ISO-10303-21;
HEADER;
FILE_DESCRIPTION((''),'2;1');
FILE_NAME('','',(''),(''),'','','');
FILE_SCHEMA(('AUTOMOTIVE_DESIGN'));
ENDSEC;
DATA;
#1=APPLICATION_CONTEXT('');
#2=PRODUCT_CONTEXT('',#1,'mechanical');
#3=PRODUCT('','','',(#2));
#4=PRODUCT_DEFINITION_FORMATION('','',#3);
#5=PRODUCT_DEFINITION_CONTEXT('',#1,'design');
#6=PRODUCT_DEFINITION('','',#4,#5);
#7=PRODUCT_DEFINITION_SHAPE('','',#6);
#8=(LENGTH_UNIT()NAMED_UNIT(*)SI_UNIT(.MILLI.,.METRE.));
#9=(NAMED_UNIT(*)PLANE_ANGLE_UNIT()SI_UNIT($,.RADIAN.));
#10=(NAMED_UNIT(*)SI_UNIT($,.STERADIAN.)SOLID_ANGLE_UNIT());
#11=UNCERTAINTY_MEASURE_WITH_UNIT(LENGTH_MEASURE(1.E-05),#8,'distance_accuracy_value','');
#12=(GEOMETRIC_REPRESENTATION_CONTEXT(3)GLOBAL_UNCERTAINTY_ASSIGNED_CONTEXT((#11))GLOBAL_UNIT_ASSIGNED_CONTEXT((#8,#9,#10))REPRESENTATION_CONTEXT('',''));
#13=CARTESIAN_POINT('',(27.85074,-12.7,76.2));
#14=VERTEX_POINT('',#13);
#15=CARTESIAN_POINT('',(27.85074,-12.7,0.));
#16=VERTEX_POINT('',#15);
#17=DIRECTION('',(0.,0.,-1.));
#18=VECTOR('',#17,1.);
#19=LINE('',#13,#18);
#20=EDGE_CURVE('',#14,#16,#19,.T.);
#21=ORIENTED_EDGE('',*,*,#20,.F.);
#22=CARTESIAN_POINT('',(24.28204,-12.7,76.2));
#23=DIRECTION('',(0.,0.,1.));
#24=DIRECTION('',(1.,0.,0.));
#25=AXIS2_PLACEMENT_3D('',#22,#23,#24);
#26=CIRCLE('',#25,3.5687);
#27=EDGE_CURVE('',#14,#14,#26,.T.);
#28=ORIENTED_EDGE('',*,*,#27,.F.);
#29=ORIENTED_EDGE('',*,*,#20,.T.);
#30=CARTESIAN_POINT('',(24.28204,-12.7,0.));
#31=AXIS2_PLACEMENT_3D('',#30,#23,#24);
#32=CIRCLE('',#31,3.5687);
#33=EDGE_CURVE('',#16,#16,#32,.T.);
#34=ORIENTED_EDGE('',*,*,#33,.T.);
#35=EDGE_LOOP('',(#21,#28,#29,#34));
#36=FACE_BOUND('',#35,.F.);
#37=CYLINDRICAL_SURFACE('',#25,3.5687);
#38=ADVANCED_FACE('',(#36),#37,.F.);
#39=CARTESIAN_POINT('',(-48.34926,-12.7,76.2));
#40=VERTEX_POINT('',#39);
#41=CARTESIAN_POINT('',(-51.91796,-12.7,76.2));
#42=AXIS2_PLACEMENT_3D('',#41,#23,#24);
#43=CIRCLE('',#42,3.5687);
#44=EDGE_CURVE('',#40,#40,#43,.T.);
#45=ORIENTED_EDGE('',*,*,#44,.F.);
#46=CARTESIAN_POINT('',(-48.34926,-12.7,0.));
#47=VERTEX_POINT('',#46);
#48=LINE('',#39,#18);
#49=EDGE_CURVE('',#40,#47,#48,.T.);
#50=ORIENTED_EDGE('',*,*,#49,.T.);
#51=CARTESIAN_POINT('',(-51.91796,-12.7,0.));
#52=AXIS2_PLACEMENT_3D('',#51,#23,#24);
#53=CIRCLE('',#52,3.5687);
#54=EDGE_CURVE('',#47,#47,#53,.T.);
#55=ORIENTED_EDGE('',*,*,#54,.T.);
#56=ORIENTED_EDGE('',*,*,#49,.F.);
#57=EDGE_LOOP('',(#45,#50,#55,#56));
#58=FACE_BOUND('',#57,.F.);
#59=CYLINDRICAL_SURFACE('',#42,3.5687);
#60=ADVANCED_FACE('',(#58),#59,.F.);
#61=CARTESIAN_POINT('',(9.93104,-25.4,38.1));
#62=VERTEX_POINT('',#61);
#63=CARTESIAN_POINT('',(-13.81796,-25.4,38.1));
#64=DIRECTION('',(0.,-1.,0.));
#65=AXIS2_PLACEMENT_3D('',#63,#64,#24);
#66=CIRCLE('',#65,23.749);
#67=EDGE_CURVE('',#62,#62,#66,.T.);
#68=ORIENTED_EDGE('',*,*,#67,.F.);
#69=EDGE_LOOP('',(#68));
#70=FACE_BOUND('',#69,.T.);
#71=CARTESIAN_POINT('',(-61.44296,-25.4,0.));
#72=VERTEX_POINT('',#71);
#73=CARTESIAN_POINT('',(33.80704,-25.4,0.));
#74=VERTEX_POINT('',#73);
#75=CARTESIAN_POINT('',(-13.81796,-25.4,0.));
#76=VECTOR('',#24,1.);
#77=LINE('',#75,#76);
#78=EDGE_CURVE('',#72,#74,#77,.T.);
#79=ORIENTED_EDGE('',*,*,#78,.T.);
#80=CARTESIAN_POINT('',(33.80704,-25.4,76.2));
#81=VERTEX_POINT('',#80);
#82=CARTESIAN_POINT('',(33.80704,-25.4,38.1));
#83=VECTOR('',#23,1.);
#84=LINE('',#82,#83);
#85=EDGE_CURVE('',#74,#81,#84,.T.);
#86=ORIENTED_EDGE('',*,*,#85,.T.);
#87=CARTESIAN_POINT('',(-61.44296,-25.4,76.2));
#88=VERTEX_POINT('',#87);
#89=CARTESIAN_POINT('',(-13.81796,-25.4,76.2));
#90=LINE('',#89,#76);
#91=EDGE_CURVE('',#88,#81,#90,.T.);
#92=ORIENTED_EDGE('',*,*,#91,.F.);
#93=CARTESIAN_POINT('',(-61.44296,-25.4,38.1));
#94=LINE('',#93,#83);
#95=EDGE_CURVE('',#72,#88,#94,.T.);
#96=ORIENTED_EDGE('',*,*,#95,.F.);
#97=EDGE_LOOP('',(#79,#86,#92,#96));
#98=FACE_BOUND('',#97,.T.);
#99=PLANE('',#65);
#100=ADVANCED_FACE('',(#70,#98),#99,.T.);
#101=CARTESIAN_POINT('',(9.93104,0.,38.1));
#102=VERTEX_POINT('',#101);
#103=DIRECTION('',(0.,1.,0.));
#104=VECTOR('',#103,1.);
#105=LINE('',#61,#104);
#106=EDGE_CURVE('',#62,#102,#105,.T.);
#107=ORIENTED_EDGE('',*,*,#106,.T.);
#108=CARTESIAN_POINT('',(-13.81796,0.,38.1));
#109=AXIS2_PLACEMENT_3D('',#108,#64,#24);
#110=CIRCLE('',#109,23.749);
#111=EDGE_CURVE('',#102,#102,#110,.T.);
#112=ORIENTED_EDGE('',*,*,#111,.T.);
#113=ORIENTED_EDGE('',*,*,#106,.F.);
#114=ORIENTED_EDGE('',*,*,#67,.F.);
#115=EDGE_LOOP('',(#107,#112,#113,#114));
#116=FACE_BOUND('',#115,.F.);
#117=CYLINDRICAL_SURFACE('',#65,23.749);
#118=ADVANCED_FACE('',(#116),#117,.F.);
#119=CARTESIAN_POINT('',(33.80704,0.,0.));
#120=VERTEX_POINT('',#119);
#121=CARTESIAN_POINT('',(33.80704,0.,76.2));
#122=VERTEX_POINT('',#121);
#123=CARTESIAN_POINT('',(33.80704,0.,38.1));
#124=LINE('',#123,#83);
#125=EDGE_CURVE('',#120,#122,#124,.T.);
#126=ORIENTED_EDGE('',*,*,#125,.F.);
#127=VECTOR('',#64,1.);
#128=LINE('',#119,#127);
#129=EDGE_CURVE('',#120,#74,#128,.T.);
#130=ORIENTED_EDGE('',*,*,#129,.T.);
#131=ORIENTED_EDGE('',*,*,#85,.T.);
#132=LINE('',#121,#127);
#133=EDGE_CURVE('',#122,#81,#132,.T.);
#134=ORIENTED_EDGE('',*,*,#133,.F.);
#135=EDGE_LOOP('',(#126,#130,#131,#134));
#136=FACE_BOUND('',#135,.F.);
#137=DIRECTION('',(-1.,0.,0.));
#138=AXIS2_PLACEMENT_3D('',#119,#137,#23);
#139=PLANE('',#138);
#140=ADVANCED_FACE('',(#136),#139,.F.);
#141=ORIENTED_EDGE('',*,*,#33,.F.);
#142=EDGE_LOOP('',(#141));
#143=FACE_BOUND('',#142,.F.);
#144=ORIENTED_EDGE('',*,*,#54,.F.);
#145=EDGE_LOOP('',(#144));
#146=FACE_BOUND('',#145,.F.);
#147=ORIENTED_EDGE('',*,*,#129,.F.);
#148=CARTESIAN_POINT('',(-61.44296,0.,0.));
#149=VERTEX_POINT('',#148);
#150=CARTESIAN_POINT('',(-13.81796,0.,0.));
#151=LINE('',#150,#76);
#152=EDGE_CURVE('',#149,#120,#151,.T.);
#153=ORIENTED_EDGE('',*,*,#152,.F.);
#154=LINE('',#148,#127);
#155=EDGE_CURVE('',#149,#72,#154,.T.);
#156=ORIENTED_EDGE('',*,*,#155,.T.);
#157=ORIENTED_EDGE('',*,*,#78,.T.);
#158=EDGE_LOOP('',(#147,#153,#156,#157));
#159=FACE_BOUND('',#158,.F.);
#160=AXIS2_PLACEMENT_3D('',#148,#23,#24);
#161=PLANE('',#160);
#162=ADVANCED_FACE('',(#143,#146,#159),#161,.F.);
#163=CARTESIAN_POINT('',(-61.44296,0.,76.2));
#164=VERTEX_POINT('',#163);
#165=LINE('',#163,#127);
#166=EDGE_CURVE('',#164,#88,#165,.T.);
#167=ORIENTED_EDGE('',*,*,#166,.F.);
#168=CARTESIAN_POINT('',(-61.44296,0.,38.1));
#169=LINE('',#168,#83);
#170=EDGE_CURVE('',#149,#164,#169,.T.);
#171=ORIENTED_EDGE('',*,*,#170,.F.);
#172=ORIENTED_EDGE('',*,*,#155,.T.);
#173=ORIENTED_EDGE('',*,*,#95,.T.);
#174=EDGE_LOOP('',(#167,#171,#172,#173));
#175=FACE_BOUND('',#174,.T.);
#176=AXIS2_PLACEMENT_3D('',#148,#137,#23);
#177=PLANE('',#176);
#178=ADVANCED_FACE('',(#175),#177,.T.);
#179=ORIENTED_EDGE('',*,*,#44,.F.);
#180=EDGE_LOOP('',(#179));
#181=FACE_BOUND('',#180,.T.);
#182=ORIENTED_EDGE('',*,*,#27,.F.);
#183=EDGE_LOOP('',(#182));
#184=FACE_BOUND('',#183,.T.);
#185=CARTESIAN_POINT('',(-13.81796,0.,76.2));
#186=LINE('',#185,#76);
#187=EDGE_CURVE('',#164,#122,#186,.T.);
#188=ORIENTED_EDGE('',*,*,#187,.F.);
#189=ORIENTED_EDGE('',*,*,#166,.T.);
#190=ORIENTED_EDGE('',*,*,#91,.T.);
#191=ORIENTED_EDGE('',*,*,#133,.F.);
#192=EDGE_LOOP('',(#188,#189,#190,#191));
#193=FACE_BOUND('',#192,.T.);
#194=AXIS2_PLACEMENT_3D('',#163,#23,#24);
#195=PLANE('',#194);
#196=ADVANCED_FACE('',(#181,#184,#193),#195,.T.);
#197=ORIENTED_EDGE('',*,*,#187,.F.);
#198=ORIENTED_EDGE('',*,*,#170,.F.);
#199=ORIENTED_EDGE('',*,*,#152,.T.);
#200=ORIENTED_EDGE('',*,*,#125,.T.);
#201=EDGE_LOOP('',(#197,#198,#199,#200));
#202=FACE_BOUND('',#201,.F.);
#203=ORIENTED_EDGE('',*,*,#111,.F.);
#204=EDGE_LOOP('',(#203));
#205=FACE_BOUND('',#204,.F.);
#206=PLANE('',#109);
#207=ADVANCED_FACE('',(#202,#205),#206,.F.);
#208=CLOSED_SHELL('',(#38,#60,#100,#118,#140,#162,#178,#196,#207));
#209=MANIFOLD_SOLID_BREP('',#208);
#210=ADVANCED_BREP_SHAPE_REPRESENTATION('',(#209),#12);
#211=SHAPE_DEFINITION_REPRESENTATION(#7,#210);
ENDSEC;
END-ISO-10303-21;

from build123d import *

# Parameters (mm, degrees)
F0_W     = 95.25
F0_H     = 76.2
F1_DEPTH = 25.4
F2_R     = 23.749
F3_DEPTH = 25.4
F4_R     = 3.5687
F5_DEPTH = 76.201


with BuildPart() as f1:
    # F0 (on Front) → F1 (new body)
    with BuildSketch(Plane.XZ):
        with Locations((-13.81796, 38.1)):
            Rectangle(F0_W, F0_H)
    extrude(amount=F1_DEPTH)

    # F2 (on face) → F3 (cut)
    with BuildSketch(Plane.XZ.offset(25.4)):
        with Locations((-13.81796, 38.1)):
            Circle(F2_R)
    extrude(amount=-F3_DEPTH, mode=Mode.SUBTRACT)

    # F4 (on face) → F5 (cut, through all)
    with BuildSketch(Plane.XY.offset(76.2)):
        with Locations((24.28204, -12.7)):
            Circle(F4_R)
        with Locations((-51.91796, -12.7)):
            Circle(F4_R)
    extrude(amount=-F5_DEPTH, mode=Mode.SUBTRACT)


solid = f1.part
